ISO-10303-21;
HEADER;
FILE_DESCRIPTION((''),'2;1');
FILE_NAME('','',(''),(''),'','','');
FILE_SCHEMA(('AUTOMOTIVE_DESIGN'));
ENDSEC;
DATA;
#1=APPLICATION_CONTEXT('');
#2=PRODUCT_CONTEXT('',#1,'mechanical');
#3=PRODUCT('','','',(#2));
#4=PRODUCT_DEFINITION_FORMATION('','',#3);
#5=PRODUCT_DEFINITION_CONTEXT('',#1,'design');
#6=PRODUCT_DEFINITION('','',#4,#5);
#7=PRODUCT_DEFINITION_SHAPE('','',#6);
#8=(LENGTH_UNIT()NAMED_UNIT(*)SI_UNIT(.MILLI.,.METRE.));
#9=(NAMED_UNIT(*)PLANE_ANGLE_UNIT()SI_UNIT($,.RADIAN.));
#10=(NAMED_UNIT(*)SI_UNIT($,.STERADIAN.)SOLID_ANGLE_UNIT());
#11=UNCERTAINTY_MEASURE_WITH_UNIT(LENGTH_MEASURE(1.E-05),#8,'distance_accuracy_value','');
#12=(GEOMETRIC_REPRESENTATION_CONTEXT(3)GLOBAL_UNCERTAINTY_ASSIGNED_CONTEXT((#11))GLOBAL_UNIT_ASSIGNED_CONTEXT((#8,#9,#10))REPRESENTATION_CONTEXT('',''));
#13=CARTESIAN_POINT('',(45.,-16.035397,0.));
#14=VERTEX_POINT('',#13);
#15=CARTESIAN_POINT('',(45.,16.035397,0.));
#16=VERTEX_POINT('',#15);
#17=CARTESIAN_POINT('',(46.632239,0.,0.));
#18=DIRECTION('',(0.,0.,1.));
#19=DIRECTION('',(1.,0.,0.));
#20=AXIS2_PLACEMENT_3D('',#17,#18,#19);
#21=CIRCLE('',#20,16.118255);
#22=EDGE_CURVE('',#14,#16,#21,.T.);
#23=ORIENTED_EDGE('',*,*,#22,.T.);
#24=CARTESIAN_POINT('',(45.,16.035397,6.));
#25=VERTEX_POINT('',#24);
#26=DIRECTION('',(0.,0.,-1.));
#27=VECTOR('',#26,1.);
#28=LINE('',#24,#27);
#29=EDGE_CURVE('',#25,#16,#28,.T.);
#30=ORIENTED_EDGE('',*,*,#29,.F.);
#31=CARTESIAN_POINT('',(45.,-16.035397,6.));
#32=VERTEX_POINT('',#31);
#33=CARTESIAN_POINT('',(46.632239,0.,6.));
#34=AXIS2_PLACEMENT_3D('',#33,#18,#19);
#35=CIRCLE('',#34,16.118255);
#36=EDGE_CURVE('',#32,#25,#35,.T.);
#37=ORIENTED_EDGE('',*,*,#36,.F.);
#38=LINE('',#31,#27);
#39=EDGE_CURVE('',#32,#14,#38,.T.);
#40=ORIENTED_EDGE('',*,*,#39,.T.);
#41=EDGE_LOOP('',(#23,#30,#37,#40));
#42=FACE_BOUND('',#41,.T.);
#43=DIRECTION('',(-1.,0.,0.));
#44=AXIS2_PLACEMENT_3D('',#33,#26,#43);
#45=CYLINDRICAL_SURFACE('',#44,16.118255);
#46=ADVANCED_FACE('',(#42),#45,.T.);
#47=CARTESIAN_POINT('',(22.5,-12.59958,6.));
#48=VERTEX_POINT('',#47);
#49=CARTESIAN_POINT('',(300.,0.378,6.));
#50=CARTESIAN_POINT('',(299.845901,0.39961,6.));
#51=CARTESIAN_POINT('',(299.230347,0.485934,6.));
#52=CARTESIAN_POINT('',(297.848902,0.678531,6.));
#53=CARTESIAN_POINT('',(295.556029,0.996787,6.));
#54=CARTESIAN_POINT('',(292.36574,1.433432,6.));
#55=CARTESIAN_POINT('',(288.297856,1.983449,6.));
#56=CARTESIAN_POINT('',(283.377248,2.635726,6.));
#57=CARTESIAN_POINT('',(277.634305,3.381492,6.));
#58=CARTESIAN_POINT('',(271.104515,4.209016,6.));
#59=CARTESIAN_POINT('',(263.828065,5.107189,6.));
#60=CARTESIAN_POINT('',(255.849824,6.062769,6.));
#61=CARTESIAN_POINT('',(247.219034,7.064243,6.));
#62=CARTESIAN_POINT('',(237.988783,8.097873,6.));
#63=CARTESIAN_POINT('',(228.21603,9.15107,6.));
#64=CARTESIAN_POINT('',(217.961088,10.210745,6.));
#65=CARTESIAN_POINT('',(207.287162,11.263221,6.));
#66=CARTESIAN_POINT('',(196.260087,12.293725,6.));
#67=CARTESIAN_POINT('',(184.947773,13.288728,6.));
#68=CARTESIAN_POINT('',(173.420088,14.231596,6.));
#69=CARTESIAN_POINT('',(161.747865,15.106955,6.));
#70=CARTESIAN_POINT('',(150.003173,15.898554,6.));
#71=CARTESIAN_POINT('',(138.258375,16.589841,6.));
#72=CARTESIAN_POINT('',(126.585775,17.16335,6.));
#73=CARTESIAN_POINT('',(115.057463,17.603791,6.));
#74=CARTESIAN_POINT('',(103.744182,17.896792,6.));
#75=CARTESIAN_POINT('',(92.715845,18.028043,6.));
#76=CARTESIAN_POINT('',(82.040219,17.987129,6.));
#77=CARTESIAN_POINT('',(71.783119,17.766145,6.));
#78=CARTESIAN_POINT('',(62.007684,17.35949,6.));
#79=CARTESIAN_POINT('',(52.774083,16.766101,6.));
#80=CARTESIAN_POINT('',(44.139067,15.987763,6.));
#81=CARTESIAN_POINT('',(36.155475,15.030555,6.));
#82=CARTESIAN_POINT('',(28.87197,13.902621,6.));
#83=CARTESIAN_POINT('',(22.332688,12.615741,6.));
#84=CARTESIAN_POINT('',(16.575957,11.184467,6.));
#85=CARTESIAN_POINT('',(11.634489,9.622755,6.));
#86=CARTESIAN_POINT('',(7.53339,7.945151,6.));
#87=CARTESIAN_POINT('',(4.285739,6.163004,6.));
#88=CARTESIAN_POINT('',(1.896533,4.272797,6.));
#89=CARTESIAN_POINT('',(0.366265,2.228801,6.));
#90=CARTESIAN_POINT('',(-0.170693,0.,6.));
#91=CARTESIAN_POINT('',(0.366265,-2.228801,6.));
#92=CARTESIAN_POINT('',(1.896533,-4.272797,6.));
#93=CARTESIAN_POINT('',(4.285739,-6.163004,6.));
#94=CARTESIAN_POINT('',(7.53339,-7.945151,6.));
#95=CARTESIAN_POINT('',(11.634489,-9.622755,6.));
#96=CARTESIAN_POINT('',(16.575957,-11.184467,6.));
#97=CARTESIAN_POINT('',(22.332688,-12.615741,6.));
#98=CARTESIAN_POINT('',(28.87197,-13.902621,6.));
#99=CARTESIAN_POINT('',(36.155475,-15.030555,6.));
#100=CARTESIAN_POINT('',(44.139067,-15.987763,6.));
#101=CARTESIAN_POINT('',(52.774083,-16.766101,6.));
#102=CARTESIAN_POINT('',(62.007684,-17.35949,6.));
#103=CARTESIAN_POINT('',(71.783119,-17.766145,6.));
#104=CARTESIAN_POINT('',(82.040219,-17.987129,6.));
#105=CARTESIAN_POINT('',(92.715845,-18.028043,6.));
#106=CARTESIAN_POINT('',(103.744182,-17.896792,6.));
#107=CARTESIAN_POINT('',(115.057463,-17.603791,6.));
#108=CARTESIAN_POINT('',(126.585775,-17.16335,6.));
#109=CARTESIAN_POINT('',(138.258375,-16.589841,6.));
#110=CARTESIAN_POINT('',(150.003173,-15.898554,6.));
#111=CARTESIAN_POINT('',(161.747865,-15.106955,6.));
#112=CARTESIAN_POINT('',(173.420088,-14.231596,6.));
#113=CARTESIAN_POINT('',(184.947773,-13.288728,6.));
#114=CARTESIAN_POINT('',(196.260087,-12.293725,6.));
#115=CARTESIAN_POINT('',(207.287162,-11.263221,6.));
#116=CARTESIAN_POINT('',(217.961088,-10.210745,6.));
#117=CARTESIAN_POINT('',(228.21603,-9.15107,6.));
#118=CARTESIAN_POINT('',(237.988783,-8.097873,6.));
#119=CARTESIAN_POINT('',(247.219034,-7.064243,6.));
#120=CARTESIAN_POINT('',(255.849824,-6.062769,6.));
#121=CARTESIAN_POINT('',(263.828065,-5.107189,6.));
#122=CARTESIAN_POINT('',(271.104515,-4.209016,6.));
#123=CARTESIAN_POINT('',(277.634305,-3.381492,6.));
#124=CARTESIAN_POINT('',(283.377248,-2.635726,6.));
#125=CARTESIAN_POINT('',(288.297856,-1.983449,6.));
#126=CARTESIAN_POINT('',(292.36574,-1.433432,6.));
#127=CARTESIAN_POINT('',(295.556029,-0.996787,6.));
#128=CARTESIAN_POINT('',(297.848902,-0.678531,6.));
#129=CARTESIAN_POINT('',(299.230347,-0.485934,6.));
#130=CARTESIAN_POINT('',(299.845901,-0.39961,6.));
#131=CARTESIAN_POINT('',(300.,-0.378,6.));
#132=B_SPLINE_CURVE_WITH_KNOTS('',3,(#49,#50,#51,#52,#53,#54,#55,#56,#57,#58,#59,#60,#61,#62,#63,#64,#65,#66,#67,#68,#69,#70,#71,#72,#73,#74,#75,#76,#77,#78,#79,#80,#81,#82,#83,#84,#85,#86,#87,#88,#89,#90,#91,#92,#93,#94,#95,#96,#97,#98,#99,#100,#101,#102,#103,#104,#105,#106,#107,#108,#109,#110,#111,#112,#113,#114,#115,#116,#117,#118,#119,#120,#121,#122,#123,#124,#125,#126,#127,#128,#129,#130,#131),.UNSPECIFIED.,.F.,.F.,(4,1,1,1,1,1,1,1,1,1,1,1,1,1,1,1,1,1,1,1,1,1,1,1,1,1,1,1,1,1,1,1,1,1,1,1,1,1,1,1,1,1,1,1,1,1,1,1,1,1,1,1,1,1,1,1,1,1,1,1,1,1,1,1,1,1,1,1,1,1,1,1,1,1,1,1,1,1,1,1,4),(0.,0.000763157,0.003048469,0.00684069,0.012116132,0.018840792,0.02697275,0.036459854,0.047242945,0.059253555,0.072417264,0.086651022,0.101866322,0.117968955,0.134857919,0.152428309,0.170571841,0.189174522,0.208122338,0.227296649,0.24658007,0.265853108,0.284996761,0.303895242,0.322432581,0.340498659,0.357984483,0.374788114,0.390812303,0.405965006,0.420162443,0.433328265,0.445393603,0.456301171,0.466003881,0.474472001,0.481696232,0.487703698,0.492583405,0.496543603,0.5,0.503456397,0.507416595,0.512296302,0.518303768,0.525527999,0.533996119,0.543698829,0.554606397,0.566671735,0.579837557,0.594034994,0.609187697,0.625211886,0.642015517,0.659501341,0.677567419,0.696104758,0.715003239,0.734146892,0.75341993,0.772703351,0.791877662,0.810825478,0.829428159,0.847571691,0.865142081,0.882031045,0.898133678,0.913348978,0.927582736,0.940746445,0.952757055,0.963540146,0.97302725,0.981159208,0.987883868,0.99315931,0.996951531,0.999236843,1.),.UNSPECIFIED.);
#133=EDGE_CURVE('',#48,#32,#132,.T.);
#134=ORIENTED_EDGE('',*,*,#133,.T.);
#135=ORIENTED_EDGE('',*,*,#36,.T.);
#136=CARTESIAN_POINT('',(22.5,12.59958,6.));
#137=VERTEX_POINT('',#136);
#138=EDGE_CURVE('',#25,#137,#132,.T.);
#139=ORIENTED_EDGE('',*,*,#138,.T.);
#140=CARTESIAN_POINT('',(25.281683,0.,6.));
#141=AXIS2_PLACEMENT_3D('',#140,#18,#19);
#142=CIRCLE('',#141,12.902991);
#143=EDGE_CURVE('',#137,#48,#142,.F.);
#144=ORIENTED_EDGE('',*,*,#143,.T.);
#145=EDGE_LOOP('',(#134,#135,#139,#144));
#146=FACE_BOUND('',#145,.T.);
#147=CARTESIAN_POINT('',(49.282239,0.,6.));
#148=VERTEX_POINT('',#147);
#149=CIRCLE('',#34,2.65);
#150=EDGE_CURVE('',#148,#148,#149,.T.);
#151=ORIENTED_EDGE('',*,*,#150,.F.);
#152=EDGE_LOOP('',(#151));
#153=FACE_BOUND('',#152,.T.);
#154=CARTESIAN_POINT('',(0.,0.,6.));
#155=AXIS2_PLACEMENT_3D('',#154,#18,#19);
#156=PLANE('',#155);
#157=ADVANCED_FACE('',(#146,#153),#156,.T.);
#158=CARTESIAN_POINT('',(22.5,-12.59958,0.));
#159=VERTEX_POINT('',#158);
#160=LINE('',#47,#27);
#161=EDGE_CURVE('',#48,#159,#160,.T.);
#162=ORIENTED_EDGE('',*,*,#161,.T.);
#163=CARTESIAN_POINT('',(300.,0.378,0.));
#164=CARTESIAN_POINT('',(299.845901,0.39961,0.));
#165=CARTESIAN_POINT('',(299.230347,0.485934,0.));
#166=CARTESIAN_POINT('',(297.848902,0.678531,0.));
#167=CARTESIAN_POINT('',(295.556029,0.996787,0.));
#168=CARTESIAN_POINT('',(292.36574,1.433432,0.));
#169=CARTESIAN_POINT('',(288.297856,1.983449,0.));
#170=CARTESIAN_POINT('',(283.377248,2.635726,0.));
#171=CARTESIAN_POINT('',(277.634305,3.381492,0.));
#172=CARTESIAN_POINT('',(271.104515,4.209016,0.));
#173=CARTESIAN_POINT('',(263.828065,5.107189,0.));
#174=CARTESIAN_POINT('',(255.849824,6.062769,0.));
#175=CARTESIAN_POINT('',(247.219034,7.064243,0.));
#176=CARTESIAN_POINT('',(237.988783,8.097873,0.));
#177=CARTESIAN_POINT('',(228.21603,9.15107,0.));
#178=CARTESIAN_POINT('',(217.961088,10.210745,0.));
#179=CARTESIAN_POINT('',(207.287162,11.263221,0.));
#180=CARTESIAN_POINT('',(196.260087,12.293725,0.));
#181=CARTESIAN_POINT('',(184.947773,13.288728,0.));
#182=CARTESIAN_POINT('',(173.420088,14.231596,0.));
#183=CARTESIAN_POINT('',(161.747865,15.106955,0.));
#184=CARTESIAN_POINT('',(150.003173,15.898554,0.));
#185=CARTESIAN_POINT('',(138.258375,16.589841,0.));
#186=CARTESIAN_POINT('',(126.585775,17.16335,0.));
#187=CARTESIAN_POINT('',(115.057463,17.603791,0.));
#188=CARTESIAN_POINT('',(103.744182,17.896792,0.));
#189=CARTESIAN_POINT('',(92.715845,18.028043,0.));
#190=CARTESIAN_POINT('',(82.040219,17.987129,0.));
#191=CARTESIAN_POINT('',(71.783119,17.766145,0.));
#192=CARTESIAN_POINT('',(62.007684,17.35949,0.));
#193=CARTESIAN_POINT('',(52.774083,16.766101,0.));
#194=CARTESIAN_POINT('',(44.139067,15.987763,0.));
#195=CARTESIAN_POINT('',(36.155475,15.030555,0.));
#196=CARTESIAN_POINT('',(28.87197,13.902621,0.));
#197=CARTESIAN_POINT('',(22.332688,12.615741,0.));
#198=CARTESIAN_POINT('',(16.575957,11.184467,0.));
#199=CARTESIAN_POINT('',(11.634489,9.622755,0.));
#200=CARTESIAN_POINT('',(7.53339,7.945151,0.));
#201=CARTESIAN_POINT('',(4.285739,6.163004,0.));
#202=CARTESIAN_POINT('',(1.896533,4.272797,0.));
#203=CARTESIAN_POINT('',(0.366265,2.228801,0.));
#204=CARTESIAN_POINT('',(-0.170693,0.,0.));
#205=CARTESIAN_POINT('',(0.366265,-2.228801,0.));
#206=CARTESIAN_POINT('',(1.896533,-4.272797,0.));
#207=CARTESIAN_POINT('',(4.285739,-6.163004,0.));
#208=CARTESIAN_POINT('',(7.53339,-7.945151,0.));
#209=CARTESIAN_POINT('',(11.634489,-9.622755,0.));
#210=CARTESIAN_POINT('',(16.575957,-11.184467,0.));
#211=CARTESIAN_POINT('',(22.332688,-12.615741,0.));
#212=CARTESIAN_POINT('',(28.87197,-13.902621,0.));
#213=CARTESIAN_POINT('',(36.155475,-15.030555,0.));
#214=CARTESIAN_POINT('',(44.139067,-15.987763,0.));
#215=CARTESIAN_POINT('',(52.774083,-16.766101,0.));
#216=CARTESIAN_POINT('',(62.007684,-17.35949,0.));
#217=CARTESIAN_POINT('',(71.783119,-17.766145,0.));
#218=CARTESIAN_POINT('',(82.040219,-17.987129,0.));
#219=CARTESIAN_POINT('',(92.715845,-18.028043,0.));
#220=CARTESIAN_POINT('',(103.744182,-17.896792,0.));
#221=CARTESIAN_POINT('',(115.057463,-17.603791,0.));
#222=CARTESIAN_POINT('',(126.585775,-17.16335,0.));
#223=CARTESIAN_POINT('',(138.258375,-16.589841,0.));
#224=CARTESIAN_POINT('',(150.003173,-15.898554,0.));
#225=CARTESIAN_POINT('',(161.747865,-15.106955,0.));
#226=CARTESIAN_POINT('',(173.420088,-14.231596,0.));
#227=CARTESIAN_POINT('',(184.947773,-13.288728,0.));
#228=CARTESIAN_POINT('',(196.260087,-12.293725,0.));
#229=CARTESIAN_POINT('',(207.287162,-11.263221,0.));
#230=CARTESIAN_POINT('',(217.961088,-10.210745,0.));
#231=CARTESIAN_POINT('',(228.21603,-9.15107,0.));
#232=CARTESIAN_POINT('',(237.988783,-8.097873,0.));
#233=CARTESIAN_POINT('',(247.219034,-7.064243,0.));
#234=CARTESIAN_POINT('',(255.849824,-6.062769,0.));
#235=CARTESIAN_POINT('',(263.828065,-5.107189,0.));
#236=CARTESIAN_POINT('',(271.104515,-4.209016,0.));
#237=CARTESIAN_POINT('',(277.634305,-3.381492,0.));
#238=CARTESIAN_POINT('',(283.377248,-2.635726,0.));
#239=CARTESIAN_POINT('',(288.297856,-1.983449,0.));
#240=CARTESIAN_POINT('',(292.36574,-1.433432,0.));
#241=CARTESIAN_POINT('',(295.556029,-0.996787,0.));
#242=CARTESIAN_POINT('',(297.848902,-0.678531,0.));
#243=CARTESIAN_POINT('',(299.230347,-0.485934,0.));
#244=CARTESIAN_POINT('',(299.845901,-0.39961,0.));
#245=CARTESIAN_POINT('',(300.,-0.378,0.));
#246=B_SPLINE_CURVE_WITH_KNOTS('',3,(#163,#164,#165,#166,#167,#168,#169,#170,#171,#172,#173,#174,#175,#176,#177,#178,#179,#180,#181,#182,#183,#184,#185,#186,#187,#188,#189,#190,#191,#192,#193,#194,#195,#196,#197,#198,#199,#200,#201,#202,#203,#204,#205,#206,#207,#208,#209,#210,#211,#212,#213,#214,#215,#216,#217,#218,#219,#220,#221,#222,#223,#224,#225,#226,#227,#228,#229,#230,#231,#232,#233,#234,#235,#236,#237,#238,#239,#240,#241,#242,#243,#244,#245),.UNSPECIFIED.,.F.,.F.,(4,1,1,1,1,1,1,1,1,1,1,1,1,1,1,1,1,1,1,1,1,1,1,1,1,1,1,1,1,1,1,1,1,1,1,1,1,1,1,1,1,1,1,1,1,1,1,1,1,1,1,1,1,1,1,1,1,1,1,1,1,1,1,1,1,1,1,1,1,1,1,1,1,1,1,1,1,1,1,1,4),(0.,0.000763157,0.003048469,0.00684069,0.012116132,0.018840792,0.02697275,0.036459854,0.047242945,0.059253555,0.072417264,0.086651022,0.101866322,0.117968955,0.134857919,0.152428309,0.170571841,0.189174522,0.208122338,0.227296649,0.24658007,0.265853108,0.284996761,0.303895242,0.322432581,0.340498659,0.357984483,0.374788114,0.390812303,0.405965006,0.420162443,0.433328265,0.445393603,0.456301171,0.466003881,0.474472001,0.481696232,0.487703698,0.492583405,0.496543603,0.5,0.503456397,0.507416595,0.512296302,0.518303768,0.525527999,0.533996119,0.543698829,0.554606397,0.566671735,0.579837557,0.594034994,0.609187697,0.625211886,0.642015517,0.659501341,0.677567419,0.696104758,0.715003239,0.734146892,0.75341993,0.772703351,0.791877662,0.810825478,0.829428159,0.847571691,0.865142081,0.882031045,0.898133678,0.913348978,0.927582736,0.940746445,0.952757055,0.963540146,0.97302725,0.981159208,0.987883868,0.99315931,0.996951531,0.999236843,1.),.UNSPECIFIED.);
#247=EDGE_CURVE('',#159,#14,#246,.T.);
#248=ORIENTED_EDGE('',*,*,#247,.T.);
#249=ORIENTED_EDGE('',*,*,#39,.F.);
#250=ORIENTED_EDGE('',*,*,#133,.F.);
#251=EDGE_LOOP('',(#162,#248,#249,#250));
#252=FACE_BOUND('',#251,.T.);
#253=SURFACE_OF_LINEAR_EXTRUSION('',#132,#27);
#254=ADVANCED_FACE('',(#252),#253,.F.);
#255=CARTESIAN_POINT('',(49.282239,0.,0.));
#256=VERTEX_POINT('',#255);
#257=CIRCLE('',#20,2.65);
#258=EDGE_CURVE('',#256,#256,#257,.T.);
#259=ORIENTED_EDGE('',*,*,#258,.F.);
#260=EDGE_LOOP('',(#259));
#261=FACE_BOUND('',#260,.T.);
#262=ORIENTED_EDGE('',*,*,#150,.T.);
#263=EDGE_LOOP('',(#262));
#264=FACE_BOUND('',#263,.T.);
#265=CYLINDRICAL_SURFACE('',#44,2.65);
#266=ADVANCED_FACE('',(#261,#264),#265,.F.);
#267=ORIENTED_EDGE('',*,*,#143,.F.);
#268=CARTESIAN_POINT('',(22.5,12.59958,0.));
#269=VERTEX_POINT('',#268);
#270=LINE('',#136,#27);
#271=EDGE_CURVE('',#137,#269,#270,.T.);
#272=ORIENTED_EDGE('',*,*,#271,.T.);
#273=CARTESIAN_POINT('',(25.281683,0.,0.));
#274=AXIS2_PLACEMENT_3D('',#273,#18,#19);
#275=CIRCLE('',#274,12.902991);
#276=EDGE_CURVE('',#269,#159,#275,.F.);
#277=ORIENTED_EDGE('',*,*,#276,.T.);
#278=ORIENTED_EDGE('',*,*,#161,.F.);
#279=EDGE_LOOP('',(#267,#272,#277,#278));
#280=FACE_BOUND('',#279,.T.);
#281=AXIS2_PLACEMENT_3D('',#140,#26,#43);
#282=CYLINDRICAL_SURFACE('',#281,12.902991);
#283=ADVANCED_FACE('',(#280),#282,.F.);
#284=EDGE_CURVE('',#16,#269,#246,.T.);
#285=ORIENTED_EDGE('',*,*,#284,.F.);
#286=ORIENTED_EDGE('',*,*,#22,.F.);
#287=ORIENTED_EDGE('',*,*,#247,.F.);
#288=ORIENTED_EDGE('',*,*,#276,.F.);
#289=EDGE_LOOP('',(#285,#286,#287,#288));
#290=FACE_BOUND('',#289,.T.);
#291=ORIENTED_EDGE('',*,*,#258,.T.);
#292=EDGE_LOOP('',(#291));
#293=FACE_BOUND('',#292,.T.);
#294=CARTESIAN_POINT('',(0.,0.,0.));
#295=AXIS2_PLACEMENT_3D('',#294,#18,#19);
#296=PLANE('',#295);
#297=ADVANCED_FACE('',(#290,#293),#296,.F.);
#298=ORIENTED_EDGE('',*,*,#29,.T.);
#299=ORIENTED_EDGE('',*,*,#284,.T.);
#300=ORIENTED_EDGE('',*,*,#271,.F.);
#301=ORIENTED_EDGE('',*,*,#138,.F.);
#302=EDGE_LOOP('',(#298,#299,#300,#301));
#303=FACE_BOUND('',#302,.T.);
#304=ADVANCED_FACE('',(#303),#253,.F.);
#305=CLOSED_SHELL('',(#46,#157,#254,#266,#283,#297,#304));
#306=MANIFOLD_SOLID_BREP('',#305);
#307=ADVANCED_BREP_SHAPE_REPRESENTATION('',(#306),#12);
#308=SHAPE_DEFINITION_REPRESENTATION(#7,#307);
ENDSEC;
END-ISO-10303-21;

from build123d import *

# Parameters (mm, degrees)
SKETCH2_R           = 2.65
BOSS_EXTRUDE2_DEPTH = 6


with BuildPart() as part:
    # Sketch2 → Boss-Extrude2 (new body)
    with BuildSketch(Plane.XY):
        with BuildLine():
            add(Edge.make_bspline(
                [(45, 16.035396523), (44.644632939, 15.999223801), (41.619048326, 15.685620583), (36.155474951, 15.030554758), (29.005619164, 13.923317691), (24.539912926, 13.049943774), (22.5, 12.599580353)],
                knots=[0.418410632, 0.418410632, 0.418410632, 0.418410632, 0.420162443, 0.433328265, 0.445393603, 0.455638041, 0.455638041, 0.455638041, 0.455638041], degree=3))
            ThreePointArc((22.5, 12.599580353), (38.184673742, 0), (22.5, -12.599580353))
            add(Edge.make_bspline(
                [(22.5, -12.599580353), (24.539912926, -13.049943774), (29.005619164, -13.923317691), (36.155474951, -15.030554758), (41.619048326, -15.685620583), (44.644632939, -15.999223801), (45, -16.035396523)],
                knots=[0.544361959, 0.544361959, 0.544361959, 0.544361959, 0.554606397, 0.566671735, 0.579837557, 0.581589368, 0.581589368, 0.581589368, 0.581589368], degree=3))
            ThreePointArc((45, -16.035396523), (62.750493933, 0), (45, 16.035396523))
        make_face()
        with Locations((46.632238895, 0)):
            Circle(SKETCH2_R, mode=Mode.SUBTRACT)
    extrude(amount=BOSS_EXTRUDE2_DEPTH)


solid = part.part
